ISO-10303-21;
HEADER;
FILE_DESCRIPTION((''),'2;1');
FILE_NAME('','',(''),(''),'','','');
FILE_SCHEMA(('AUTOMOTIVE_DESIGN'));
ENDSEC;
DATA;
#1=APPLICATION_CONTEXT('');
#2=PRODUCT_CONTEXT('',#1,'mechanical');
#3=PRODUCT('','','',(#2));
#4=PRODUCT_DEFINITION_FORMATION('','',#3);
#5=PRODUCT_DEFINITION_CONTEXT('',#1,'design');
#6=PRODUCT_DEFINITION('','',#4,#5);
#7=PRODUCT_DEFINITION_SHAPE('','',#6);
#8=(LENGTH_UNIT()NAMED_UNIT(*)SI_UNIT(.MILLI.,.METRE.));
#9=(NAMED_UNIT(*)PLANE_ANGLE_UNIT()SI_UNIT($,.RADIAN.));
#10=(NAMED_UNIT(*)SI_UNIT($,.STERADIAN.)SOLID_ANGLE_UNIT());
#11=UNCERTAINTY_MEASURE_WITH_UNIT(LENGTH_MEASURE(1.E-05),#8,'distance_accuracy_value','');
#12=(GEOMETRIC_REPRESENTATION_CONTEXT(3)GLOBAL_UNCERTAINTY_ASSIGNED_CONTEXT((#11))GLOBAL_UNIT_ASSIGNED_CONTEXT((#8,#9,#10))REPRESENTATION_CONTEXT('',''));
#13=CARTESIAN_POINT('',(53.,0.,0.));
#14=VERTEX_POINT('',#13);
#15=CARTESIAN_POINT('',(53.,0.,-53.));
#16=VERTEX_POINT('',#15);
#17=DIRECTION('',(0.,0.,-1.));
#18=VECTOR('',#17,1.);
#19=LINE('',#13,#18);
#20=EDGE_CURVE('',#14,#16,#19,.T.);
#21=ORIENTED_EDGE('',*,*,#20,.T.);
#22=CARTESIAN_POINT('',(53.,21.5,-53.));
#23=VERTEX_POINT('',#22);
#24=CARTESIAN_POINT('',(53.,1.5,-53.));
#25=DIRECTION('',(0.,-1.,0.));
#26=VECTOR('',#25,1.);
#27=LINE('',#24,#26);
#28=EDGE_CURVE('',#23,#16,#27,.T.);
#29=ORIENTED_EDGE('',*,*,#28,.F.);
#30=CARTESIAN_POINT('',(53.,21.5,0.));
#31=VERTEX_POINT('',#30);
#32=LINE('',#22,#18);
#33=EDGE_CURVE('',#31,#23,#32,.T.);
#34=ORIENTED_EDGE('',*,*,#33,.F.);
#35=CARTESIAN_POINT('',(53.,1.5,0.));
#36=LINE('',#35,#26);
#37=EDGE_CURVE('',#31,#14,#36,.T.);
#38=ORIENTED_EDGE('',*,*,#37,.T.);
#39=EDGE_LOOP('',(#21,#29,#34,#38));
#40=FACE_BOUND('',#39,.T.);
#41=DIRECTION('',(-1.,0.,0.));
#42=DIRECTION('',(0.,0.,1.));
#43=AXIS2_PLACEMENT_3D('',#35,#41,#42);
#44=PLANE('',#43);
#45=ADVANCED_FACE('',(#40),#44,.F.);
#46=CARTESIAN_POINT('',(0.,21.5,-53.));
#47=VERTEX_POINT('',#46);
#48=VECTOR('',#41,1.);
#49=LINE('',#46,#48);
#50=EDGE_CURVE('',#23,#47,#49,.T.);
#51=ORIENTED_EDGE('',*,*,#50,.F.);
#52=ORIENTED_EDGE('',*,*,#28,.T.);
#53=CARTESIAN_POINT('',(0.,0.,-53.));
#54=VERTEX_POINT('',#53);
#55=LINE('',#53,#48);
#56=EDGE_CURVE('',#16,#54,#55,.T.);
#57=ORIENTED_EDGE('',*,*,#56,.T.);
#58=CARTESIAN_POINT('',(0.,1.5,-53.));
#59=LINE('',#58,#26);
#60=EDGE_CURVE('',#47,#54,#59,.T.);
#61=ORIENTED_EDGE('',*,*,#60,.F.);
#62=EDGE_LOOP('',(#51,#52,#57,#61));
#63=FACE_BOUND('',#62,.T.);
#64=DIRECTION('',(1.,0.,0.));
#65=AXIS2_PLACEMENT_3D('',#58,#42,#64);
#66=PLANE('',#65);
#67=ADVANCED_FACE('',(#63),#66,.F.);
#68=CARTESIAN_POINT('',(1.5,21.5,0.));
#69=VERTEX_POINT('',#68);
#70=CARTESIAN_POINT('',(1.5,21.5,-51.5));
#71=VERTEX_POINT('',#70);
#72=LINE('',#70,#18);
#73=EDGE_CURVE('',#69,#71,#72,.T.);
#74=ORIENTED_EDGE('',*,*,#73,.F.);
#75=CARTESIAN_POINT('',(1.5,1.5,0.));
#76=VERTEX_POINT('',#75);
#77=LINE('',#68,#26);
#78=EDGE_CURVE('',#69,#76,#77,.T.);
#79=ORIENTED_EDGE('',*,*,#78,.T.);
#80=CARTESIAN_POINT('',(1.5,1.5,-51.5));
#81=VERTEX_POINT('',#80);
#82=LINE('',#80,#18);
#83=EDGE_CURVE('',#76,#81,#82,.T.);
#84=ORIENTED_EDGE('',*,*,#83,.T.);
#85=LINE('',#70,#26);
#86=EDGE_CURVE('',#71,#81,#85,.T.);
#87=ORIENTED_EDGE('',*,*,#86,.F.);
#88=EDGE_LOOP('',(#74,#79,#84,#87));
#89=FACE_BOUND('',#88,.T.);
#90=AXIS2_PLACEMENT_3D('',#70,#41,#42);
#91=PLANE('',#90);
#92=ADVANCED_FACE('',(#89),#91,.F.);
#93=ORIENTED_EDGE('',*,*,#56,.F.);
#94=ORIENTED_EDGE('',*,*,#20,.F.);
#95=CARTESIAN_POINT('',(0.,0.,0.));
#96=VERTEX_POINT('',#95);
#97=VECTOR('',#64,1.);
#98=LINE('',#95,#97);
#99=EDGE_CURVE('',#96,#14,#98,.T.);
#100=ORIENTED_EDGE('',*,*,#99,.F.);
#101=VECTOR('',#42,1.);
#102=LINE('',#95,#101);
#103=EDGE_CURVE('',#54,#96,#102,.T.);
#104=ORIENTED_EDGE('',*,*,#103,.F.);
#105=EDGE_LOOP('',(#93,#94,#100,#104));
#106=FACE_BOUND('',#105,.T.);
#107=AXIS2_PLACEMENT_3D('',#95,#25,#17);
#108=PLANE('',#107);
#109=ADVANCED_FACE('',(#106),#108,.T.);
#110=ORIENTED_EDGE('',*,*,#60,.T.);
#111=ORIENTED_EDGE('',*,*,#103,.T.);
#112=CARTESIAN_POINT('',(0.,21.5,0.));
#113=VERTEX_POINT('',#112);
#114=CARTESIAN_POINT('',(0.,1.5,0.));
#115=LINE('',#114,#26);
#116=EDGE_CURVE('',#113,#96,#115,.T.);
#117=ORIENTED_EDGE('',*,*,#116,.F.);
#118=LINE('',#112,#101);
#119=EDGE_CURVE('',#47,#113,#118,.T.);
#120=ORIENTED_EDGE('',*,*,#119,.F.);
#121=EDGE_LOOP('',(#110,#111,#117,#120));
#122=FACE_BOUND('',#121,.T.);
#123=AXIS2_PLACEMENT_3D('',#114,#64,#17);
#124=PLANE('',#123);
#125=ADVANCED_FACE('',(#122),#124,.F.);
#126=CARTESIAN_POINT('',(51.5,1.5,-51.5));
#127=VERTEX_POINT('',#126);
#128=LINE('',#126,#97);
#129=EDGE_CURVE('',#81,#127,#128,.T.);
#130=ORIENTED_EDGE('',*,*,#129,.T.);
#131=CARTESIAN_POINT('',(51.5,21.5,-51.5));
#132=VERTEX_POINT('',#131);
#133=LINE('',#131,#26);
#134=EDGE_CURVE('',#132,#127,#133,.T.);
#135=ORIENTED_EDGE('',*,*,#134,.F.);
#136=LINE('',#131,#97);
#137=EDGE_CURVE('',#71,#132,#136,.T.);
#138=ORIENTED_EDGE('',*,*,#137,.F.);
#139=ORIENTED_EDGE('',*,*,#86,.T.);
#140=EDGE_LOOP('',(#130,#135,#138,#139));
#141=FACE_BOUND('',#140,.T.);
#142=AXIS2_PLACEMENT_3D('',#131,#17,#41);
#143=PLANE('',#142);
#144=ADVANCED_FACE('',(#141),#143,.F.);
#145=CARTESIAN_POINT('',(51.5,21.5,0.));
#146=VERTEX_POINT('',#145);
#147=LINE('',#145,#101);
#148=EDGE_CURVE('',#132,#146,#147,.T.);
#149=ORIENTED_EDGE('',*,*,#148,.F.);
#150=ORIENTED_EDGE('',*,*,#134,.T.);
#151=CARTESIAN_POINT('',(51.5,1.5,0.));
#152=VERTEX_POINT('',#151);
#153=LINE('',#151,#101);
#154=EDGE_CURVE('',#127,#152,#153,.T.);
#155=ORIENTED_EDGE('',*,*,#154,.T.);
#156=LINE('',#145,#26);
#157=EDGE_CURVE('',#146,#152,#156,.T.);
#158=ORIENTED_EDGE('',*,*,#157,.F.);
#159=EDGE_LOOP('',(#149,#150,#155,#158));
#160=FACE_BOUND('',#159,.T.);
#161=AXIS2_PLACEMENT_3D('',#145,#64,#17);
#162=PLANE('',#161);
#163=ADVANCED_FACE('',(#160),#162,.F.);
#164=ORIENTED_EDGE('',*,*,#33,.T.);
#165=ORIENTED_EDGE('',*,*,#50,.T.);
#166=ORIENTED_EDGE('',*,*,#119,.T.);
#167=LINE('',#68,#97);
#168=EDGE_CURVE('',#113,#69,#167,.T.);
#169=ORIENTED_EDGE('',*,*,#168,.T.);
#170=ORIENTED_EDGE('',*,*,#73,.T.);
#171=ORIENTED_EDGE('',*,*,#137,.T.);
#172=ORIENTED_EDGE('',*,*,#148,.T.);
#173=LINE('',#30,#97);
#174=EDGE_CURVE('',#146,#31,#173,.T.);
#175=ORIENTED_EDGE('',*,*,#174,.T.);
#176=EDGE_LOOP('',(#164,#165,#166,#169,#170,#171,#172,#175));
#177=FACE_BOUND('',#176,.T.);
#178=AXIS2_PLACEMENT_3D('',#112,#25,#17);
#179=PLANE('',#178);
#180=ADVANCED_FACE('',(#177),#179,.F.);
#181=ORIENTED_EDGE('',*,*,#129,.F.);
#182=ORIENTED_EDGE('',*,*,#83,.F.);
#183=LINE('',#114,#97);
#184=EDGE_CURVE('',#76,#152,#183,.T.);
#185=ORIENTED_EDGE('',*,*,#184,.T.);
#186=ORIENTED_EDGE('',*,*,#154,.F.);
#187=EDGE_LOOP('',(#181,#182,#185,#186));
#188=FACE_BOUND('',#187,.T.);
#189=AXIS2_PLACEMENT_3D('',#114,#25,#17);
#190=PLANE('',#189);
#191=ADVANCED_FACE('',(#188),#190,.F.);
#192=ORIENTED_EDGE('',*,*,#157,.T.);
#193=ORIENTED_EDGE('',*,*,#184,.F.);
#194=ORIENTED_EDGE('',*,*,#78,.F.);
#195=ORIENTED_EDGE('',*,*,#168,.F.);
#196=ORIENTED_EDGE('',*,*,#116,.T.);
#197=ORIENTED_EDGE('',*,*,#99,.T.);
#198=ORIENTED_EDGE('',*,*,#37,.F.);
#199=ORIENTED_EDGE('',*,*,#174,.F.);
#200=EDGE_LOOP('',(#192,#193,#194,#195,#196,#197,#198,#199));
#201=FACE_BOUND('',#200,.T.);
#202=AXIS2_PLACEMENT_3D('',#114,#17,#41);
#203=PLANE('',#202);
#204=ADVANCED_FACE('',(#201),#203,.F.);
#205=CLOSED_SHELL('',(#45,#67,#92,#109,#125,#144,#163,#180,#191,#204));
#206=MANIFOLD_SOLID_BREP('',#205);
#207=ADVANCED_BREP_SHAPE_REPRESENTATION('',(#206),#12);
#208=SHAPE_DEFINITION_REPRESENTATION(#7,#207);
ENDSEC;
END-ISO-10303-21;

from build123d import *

# Parameters (mm, degrees)
SKETCH1_W           = 53
SKETCH1_H           = 53
BOSS_EXTRUDE1_DEPTH = 1.5
BOSS_EXTRUDE2_DEPTH = 20


with BuildPart() as part:
    # Sketch1 → Boss-Extrude1 (new body)
    with BuildSketch(Plane(origin=(0, 0, 0), x_dir=(1, 0, 0), z_dir=(0, 1, 0))):
        with Locations((26.5, 26.5)):
            Rectangle(SKETCH1_W, SKETCH1_H)
    extrude(amount=BOSS_EXTRUDE1_DEPTH)

    # Sketch3 → Boss-Extrude2 (add)
    with BuildSketch(Plane(origin=(0, 1.5, 0), x_dir=(1, 0, 0), z_dir=(0, 1, 0))):
        Polygon((0, 0), (0, 53), (53, 53), (53, 0), (51.5, 0), (51.5, 51.5), (1.5, 51.5), (1.5, 0), align=None)
    extrude(amount=BOSS_EXTRUDE2_DEPTH)


solid = part.part
